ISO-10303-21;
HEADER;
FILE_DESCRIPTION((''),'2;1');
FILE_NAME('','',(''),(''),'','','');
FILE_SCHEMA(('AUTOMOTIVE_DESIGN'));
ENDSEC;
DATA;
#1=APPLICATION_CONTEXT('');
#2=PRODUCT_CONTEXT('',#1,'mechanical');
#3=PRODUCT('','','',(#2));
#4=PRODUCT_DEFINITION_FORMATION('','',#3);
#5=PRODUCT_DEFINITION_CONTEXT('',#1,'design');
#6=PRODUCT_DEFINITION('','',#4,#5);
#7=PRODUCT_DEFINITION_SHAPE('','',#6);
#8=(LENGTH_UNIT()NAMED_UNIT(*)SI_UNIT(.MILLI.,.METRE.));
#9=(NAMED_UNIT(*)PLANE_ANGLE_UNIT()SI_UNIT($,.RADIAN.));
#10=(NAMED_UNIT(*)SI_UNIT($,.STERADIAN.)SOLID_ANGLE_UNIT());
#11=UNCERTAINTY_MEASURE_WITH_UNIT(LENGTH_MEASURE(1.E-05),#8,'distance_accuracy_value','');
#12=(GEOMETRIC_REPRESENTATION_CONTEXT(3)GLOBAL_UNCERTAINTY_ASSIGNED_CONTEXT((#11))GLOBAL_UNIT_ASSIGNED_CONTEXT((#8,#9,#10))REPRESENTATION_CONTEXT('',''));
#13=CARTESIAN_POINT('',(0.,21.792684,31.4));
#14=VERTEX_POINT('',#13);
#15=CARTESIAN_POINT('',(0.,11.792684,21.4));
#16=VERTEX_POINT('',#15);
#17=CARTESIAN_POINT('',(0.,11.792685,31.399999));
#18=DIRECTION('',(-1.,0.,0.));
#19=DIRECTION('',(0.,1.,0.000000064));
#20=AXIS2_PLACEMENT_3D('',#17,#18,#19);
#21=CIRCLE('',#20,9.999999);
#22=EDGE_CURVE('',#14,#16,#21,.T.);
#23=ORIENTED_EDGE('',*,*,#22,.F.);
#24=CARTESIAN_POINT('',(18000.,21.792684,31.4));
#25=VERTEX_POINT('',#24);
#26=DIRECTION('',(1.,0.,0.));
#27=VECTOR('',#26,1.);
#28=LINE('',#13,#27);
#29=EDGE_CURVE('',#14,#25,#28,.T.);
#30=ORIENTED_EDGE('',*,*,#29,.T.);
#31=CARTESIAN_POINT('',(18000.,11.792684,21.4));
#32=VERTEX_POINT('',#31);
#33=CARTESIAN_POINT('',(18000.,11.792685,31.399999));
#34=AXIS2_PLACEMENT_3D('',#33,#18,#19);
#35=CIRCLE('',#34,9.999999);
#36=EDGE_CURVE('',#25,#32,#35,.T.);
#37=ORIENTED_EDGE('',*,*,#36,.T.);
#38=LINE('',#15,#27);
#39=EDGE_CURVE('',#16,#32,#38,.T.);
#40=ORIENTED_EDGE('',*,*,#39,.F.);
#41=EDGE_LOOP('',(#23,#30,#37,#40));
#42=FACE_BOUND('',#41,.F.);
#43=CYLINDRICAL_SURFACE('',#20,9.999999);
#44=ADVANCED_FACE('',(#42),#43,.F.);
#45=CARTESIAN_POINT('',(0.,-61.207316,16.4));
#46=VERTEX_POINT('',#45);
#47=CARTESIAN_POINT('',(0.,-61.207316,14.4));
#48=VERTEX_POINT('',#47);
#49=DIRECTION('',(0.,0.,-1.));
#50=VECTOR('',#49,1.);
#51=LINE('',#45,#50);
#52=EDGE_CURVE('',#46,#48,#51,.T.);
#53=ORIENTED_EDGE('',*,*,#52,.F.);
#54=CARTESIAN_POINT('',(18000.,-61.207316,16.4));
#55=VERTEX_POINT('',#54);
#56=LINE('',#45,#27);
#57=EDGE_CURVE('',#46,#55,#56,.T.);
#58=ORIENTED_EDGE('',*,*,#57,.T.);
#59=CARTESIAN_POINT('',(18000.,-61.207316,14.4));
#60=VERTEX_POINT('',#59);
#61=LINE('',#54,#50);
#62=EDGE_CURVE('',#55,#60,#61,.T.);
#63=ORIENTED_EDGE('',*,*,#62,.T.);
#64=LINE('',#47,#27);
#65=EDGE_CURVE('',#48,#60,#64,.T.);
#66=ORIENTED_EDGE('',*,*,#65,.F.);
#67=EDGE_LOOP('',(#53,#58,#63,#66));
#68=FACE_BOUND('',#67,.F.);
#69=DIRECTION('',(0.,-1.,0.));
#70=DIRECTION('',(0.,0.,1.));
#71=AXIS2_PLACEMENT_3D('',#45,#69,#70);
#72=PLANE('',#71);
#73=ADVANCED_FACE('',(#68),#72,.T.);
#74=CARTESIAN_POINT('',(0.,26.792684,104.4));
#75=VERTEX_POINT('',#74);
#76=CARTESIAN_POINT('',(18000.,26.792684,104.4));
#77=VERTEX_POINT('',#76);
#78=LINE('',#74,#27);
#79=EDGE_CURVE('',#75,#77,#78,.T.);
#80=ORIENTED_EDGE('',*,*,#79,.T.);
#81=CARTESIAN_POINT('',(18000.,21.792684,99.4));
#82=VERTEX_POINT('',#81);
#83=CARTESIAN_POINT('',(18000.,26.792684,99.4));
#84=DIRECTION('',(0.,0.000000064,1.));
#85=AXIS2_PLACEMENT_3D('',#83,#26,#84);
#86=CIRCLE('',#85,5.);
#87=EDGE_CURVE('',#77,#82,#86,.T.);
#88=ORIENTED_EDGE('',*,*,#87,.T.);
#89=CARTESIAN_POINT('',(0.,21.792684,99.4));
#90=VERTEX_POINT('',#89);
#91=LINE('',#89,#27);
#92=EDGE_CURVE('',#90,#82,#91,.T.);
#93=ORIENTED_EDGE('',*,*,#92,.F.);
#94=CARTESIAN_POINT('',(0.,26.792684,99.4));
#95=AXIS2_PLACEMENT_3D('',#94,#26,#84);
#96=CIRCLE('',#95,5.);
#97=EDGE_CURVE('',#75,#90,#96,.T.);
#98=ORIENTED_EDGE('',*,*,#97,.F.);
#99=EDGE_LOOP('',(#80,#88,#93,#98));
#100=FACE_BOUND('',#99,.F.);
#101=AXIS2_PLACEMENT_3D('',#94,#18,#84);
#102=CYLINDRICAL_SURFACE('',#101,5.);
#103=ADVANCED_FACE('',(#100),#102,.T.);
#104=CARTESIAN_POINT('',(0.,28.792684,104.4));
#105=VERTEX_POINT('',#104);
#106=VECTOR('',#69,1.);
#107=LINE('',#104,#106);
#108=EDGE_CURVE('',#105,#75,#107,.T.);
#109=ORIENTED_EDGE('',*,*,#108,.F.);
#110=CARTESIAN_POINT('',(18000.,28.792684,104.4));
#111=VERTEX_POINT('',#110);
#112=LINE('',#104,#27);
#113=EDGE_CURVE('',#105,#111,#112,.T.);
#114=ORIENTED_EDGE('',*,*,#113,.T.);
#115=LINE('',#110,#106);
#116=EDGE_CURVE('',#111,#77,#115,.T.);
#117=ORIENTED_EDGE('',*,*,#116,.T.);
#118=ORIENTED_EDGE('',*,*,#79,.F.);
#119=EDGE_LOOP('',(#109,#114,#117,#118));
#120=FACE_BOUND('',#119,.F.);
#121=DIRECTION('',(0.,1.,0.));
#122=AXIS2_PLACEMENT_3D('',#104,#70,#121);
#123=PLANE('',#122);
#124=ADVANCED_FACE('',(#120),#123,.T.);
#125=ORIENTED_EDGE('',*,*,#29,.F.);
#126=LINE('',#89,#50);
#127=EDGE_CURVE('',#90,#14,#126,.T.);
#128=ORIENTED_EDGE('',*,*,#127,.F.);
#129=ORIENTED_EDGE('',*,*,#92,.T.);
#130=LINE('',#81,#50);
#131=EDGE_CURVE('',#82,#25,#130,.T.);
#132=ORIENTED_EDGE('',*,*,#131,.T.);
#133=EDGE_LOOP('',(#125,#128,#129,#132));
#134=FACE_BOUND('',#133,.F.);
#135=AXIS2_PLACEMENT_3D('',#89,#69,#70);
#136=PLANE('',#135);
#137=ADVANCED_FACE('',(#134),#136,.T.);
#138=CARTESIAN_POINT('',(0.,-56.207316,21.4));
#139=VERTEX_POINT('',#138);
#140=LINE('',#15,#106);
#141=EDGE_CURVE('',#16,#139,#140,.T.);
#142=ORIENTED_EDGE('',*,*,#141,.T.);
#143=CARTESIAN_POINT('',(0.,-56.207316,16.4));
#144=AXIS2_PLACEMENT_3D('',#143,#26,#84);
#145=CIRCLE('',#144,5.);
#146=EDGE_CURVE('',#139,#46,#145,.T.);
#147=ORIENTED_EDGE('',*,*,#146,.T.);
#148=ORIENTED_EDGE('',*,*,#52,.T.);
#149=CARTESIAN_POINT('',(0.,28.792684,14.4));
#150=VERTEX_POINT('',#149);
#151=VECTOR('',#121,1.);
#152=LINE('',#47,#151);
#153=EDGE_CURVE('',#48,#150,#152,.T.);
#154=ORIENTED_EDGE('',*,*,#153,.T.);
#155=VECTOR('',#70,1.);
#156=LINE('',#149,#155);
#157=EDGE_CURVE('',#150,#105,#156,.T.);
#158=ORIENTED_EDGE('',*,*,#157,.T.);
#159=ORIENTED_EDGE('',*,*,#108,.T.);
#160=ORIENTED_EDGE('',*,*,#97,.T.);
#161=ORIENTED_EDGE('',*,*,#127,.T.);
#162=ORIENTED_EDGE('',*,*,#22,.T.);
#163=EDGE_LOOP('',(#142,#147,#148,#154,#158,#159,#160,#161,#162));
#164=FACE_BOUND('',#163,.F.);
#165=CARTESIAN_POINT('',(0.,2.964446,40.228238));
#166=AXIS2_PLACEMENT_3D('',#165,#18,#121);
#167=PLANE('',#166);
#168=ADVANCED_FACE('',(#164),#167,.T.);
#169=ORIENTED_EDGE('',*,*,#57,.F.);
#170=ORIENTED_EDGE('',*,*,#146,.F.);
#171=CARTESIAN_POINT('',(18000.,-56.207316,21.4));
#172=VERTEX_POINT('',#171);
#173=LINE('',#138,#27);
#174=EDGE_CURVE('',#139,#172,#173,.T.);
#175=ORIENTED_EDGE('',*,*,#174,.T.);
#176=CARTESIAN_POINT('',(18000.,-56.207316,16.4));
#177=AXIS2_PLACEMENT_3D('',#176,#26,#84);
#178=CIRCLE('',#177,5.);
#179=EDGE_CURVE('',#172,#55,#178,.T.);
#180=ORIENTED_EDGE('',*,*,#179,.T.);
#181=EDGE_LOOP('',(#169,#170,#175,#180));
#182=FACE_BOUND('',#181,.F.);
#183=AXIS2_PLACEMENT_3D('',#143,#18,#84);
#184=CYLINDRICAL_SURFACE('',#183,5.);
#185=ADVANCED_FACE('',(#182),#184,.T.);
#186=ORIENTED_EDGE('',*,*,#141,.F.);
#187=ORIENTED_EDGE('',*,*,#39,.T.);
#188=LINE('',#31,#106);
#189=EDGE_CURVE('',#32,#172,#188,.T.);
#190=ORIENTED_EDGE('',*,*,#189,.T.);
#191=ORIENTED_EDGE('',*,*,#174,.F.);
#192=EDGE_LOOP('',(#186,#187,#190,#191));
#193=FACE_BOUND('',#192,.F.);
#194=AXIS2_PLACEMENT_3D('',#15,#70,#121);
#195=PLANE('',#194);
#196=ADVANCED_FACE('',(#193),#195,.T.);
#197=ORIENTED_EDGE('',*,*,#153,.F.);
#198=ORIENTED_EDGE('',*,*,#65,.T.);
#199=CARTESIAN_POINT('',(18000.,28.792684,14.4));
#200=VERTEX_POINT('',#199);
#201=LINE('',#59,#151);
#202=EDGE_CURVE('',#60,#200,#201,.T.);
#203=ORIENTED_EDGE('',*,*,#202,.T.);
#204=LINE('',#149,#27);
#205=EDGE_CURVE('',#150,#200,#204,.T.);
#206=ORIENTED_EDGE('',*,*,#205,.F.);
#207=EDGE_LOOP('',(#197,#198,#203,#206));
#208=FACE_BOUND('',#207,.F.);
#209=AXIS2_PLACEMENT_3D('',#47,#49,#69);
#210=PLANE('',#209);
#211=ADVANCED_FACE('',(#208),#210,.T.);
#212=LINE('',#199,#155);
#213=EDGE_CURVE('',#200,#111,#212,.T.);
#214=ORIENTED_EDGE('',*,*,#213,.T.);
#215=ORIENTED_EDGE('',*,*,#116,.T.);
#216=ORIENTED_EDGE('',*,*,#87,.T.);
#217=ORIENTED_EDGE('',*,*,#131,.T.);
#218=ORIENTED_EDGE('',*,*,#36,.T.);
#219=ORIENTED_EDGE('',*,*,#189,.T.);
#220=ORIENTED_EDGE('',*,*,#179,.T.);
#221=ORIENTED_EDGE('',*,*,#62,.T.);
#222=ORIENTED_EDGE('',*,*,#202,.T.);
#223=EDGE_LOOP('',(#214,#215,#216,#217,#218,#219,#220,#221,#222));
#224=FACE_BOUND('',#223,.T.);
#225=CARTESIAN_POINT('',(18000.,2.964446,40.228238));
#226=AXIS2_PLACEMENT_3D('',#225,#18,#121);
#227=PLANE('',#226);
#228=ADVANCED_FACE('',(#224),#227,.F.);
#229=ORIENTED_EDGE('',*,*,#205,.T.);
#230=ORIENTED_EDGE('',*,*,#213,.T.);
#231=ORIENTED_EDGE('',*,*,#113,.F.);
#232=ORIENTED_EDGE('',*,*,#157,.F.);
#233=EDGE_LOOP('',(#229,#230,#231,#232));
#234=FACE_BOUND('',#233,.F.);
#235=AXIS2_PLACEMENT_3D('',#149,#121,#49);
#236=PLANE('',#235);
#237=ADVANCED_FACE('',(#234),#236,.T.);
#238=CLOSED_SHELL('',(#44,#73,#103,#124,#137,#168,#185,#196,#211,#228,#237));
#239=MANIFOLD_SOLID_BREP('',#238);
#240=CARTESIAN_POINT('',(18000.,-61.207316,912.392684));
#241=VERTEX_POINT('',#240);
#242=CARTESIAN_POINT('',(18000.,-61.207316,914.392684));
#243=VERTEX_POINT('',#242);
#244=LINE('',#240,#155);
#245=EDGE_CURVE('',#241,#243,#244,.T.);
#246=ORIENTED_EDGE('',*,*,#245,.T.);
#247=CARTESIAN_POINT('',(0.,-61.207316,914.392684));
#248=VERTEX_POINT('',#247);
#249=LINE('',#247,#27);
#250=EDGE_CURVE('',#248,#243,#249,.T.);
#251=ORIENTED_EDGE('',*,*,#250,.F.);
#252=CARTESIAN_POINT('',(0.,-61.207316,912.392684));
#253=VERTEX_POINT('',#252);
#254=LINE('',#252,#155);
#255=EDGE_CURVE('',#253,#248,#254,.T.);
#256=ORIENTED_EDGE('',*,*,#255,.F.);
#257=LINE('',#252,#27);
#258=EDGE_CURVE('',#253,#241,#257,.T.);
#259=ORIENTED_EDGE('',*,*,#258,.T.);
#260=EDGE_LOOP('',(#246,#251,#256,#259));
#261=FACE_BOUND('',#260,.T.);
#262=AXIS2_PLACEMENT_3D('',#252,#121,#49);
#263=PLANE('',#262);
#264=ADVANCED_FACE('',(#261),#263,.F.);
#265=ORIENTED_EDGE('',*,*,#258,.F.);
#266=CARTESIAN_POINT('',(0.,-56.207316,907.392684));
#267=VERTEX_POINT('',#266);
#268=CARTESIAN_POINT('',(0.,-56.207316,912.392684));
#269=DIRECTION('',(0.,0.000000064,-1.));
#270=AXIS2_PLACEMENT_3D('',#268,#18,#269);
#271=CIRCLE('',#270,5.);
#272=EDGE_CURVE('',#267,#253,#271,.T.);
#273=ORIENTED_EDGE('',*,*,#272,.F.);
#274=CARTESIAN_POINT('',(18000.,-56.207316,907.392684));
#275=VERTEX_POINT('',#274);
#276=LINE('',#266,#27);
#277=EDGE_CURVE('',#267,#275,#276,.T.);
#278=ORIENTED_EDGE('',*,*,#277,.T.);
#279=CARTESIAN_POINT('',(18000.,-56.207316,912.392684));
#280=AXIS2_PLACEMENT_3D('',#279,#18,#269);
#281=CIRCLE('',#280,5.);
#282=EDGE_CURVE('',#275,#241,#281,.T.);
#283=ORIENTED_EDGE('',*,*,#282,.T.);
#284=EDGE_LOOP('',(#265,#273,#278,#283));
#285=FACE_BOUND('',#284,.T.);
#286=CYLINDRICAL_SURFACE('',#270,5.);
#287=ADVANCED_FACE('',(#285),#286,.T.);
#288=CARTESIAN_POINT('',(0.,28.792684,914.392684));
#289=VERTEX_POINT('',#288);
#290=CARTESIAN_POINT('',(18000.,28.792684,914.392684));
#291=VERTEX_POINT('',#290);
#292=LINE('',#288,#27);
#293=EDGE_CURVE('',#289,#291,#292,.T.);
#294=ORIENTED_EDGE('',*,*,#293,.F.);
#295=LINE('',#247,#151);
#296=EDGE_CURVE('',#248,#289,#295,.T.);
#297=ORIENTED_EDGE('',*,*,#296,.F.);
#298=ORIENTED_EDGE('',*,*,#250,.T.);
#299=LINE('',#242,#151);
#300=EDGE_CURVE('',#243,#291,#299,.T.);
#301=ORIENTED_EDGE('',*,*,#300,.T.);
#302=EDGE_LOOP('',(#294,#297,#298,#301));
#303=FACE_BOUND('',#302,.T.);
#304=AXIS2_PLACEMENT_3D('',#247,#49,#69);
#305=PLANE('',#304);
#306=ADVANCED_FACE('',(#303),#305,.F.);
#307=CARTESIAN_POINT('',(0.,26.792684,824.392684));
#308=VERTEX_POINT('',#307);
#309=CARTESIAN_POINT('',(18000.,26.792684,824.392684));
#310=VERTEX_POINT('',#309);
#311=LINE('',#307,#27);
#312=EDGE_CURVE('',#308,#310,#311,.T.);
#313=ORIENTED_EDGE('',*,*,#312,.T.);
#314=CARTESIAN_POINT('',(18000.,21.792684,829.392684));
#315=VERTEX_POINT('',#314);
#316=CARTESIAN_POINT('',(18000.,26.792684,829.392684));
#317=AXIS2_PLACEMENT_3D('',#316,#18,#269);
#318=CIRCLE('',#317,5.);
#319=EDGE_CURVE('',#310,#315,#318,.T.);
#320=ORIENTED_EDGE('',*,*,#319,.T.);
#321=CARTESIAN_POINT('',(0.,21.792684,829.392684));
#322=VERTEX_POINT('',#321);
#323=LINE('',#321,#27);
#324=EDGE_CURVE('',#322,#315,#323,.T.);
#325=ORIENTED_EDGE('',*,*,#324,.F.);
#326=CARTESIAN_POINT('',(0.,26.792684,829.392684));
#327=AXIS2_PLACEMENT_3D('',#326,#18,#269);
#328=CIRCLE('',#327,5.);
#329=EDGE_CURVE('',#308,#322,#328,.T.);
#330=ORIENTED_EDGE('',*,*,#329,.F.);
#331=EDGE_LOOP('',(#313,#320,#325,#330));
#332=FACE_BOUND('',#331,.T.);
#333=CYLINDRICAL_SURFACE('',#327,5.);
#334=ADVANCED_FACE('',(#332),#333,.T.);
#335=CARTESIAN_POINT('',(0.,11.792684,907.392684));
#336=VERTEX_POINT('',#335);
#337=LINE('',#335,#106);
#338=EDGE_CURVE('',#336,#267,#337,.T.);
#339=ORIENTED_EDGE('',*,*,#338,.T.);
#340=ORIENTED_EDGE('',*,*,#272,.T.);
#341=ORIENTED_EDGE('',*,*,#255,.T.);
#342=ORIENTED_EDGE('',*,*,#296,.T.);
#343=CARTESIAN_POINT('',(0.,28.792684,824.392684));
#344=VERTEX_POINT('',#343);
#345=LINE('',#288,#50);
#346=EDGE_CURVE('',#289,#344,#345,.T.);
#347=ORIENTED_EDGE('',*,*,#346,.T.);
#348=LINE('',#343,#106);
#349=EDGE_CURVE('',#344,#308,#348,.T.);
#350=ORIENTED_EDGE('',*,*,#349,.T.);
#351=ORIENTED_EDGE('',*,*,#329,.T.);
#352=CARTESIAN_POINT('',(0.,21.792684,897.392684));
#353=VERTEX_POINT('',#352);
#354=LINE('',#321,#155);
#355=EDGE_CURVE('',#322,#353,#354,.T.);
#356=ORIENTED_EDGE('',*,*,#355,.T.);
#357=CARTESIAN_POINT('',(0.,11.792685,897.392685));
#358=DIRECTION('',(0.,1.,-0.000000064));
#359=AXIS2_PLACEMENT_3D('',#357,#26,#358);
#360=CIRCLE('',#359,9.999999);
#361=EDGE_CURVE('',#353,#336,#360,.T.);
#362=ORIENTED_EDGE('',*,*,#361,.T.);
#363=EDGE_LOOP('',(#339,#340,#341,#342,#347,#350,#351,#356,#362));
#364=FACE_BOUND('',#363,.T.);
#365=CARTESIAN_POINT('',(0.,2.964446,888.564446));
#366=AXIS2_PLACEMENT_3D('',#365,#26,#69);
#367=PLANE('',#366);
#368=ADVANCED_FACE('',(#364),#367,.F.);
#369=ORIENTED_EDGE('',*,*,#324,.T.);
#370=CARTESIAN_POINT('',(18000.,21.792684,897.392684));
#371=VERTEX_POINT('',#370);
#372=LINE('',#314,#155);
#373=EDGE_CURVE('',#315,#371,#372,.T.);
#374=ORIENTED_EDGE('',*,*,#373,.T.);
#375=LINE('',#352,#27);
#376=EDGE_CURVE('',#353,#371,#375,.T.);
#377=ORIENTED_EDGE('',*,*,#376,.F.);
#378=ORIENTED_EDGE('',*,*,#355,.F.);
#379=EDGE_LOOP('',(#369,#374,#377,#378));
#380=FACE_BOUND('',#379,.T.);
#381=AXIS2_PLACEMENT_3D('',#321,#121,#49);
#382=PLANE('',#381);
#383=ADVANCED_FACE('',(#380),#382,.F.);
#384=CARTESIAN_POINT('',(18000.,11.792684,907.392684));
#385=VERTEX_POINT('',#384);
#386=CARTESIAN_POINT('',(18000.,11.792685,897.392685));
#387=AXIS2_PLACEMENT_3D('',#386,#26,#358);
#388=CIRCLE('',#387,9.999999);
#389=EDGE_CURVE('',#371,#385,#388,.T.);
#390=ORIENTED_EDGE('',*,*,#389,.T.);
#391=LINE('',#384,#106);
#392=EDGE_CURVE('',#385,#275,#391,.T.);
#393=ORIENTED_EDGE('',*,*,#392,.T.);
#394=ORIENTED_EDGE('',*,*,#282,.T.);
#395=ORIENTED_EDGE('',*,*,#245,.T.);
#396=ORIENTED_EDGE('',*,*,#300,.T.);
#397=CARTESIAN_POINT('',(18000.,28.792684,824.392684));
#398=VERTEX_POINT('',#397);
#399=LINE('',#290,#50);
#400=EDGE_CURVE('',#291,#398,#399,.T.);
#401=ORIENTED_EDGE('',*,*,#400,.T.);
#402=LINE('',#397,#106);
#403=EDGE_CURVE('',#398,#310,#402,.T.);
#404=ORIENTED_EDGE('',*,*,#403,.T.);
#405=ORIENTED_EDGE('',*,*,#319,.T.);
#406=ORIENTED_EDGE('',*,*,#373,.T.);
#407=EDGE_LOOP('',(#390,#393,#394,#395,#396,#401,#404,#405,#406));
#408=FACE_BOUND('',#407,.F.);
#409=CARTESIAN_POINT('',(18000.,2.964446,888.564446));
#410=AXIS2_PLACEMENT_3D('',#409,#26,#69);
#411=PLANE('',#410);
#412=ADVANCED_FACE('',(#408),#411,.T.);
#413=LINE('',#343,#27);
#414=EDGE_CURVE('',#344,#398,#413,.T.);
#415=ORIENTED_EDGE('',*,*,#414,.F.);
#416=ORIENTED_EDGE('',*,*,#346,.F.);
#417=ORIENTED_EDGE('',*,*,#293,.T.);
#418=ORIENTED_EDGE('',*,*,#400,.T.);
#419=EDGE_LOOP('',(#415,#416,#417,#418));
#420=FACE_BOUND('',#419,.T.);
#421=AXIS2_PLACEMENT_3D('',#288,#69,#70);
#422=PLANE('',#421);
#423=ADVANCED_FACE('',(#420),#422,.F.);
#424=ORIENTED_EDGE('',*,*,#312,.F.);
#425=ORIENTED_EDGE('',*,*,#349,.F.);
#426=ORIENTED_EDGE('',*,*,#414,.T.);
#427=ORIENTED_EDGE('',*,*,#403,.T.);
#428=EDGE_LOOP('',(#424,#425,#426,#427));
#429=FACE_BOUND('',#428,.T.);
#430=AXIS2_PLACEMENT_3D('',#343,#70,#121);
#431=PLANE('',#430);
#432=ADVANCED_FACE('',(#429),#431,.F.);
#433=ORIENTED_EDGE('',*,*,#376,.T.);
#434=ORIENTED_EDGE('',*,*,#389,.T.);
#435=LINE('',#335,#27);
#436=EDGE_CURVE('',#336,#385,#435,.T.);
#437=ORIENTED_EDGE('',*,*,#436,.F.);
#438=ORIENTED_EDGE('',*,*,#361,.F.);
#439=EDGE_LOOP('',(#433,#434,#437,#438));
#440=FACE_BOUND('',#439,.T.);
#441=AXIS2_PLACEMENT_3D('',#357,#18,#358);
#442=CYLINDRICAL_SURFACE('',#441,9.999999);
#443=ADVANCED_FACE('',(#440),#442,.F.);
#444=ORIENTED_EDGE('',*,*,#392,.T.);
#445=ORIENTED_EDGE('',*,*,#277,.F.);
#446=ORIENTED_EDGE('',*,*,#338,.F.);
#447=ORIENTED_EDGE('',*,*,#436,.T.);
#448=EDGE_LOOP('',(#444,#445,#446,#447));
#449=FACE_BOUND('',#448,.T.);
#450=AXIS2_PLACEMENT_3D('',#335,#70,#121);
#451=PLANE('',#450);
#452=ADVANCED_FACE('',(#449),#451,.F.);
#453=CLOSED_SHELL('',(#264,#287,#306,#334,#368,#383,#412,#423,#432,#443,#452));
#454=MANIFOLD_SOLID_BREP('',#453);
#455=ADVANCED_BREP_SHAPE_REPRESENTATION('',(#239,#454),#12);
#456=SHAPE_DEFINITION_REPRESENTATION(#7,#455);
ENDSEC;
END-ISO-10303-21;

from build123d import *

# Parameters (mm, degrees)
EXTRUDE017_DEPTH = 18000
EXTRUDE018_DEPTH = 18000


with BuildPart() as extrude017:
    # AngleSteel004 → Extrude017 (new body)
    with BuildSketch(Plane(origin=(0, 53.415282, 39.015282), x_dir=(0, 1, 0), z_dir=(-1, 0, 0))):
        with BuildLine():
            Line((-24.615282, 24.615282), (-24.615282, -65.384718))
            Line((-24.615282, -65.384718), (-22.615282, -65.384718))
            ThreePointArc((-22.615282, -65.384718), (-19.079748, -63.920252), (-17.615282, -60.384718))
            Line((-17.615282, -60.384718), (-17.615282, 7.615282))
            ThreePointArc((-17.615282, 7.615282), (-14.68635, 14.68635), (-7.615282, 17.615282))
            Line((-7.615282, 17.615282), (60.384718, 17.615282))
            ThreePointArc((60.384718, 17.615282), (63.920252, 19.079748), (65.384718, 22.615282))
            Line((65.384718, 22.615282), (65.384718, 24.615282))
            Line((65.384718, 24.615282), (-24.615282, 24.615282))
        make_face()
    extrude(amount=-EXTRUDE017_DEPTH)


with BuildPart() as fusion001:
    # Mirror → Extrude018 (new body)
    with BuildSketch(Plane(origin=(0, 53.415282, 889.777402), x_dir=(0, -1, 0), z_dir=(1, 0, 0))):
        with BuildLine():
            Line((24.615282, -24.615282), (24.615282, 65.384718))
            Line((24.615282, 65.384718), (22.615282, 65.384718))
            ThreePointArc((22.615282, 65.384718), (19.079748, 63.920252), (17.615282, 60.384718))
            Line((17.615282, 60.384718), (17.615282, -7.615282))
            ThreePointArc((17.615282, -7.615282), (14.68635, -14.68635), (7.615282, -17.615282))
            Line((7.615282, -17.615282), (-60.384718, -17.615282))
            ThreePointArc((-60.384718, -17.615282), (-63.920252, -19.079748), (-65.384718, -22.615282))
            Line((-65.384718, -22.615282), (-65.384718, -24.615282))
            Line((-65.384718, -24.615282), (24.615282, -24.615282))
        make_face()
    extrude(amount=EXTRUDE018_DEPTH)

    # Fusion001: union Extrude017
    add(extrude017.part)


with BuildPart() as fusion_mirrored:
    # Mirror001: instance of Fusion001
    add(fusion001.part.mirror(Plane(origin=(0, 28.796342, 514.396342), x_dir=(-1, 0, 0), z_dir=(0, -1, 0))))


with BuildPart() as fusion_mirrored_1:
    # Mirror001 placement: moved
    add(fusion_mirrored.part.moved(Location((0, -6, 0))))


solid = fusion_mirrored_1.part
